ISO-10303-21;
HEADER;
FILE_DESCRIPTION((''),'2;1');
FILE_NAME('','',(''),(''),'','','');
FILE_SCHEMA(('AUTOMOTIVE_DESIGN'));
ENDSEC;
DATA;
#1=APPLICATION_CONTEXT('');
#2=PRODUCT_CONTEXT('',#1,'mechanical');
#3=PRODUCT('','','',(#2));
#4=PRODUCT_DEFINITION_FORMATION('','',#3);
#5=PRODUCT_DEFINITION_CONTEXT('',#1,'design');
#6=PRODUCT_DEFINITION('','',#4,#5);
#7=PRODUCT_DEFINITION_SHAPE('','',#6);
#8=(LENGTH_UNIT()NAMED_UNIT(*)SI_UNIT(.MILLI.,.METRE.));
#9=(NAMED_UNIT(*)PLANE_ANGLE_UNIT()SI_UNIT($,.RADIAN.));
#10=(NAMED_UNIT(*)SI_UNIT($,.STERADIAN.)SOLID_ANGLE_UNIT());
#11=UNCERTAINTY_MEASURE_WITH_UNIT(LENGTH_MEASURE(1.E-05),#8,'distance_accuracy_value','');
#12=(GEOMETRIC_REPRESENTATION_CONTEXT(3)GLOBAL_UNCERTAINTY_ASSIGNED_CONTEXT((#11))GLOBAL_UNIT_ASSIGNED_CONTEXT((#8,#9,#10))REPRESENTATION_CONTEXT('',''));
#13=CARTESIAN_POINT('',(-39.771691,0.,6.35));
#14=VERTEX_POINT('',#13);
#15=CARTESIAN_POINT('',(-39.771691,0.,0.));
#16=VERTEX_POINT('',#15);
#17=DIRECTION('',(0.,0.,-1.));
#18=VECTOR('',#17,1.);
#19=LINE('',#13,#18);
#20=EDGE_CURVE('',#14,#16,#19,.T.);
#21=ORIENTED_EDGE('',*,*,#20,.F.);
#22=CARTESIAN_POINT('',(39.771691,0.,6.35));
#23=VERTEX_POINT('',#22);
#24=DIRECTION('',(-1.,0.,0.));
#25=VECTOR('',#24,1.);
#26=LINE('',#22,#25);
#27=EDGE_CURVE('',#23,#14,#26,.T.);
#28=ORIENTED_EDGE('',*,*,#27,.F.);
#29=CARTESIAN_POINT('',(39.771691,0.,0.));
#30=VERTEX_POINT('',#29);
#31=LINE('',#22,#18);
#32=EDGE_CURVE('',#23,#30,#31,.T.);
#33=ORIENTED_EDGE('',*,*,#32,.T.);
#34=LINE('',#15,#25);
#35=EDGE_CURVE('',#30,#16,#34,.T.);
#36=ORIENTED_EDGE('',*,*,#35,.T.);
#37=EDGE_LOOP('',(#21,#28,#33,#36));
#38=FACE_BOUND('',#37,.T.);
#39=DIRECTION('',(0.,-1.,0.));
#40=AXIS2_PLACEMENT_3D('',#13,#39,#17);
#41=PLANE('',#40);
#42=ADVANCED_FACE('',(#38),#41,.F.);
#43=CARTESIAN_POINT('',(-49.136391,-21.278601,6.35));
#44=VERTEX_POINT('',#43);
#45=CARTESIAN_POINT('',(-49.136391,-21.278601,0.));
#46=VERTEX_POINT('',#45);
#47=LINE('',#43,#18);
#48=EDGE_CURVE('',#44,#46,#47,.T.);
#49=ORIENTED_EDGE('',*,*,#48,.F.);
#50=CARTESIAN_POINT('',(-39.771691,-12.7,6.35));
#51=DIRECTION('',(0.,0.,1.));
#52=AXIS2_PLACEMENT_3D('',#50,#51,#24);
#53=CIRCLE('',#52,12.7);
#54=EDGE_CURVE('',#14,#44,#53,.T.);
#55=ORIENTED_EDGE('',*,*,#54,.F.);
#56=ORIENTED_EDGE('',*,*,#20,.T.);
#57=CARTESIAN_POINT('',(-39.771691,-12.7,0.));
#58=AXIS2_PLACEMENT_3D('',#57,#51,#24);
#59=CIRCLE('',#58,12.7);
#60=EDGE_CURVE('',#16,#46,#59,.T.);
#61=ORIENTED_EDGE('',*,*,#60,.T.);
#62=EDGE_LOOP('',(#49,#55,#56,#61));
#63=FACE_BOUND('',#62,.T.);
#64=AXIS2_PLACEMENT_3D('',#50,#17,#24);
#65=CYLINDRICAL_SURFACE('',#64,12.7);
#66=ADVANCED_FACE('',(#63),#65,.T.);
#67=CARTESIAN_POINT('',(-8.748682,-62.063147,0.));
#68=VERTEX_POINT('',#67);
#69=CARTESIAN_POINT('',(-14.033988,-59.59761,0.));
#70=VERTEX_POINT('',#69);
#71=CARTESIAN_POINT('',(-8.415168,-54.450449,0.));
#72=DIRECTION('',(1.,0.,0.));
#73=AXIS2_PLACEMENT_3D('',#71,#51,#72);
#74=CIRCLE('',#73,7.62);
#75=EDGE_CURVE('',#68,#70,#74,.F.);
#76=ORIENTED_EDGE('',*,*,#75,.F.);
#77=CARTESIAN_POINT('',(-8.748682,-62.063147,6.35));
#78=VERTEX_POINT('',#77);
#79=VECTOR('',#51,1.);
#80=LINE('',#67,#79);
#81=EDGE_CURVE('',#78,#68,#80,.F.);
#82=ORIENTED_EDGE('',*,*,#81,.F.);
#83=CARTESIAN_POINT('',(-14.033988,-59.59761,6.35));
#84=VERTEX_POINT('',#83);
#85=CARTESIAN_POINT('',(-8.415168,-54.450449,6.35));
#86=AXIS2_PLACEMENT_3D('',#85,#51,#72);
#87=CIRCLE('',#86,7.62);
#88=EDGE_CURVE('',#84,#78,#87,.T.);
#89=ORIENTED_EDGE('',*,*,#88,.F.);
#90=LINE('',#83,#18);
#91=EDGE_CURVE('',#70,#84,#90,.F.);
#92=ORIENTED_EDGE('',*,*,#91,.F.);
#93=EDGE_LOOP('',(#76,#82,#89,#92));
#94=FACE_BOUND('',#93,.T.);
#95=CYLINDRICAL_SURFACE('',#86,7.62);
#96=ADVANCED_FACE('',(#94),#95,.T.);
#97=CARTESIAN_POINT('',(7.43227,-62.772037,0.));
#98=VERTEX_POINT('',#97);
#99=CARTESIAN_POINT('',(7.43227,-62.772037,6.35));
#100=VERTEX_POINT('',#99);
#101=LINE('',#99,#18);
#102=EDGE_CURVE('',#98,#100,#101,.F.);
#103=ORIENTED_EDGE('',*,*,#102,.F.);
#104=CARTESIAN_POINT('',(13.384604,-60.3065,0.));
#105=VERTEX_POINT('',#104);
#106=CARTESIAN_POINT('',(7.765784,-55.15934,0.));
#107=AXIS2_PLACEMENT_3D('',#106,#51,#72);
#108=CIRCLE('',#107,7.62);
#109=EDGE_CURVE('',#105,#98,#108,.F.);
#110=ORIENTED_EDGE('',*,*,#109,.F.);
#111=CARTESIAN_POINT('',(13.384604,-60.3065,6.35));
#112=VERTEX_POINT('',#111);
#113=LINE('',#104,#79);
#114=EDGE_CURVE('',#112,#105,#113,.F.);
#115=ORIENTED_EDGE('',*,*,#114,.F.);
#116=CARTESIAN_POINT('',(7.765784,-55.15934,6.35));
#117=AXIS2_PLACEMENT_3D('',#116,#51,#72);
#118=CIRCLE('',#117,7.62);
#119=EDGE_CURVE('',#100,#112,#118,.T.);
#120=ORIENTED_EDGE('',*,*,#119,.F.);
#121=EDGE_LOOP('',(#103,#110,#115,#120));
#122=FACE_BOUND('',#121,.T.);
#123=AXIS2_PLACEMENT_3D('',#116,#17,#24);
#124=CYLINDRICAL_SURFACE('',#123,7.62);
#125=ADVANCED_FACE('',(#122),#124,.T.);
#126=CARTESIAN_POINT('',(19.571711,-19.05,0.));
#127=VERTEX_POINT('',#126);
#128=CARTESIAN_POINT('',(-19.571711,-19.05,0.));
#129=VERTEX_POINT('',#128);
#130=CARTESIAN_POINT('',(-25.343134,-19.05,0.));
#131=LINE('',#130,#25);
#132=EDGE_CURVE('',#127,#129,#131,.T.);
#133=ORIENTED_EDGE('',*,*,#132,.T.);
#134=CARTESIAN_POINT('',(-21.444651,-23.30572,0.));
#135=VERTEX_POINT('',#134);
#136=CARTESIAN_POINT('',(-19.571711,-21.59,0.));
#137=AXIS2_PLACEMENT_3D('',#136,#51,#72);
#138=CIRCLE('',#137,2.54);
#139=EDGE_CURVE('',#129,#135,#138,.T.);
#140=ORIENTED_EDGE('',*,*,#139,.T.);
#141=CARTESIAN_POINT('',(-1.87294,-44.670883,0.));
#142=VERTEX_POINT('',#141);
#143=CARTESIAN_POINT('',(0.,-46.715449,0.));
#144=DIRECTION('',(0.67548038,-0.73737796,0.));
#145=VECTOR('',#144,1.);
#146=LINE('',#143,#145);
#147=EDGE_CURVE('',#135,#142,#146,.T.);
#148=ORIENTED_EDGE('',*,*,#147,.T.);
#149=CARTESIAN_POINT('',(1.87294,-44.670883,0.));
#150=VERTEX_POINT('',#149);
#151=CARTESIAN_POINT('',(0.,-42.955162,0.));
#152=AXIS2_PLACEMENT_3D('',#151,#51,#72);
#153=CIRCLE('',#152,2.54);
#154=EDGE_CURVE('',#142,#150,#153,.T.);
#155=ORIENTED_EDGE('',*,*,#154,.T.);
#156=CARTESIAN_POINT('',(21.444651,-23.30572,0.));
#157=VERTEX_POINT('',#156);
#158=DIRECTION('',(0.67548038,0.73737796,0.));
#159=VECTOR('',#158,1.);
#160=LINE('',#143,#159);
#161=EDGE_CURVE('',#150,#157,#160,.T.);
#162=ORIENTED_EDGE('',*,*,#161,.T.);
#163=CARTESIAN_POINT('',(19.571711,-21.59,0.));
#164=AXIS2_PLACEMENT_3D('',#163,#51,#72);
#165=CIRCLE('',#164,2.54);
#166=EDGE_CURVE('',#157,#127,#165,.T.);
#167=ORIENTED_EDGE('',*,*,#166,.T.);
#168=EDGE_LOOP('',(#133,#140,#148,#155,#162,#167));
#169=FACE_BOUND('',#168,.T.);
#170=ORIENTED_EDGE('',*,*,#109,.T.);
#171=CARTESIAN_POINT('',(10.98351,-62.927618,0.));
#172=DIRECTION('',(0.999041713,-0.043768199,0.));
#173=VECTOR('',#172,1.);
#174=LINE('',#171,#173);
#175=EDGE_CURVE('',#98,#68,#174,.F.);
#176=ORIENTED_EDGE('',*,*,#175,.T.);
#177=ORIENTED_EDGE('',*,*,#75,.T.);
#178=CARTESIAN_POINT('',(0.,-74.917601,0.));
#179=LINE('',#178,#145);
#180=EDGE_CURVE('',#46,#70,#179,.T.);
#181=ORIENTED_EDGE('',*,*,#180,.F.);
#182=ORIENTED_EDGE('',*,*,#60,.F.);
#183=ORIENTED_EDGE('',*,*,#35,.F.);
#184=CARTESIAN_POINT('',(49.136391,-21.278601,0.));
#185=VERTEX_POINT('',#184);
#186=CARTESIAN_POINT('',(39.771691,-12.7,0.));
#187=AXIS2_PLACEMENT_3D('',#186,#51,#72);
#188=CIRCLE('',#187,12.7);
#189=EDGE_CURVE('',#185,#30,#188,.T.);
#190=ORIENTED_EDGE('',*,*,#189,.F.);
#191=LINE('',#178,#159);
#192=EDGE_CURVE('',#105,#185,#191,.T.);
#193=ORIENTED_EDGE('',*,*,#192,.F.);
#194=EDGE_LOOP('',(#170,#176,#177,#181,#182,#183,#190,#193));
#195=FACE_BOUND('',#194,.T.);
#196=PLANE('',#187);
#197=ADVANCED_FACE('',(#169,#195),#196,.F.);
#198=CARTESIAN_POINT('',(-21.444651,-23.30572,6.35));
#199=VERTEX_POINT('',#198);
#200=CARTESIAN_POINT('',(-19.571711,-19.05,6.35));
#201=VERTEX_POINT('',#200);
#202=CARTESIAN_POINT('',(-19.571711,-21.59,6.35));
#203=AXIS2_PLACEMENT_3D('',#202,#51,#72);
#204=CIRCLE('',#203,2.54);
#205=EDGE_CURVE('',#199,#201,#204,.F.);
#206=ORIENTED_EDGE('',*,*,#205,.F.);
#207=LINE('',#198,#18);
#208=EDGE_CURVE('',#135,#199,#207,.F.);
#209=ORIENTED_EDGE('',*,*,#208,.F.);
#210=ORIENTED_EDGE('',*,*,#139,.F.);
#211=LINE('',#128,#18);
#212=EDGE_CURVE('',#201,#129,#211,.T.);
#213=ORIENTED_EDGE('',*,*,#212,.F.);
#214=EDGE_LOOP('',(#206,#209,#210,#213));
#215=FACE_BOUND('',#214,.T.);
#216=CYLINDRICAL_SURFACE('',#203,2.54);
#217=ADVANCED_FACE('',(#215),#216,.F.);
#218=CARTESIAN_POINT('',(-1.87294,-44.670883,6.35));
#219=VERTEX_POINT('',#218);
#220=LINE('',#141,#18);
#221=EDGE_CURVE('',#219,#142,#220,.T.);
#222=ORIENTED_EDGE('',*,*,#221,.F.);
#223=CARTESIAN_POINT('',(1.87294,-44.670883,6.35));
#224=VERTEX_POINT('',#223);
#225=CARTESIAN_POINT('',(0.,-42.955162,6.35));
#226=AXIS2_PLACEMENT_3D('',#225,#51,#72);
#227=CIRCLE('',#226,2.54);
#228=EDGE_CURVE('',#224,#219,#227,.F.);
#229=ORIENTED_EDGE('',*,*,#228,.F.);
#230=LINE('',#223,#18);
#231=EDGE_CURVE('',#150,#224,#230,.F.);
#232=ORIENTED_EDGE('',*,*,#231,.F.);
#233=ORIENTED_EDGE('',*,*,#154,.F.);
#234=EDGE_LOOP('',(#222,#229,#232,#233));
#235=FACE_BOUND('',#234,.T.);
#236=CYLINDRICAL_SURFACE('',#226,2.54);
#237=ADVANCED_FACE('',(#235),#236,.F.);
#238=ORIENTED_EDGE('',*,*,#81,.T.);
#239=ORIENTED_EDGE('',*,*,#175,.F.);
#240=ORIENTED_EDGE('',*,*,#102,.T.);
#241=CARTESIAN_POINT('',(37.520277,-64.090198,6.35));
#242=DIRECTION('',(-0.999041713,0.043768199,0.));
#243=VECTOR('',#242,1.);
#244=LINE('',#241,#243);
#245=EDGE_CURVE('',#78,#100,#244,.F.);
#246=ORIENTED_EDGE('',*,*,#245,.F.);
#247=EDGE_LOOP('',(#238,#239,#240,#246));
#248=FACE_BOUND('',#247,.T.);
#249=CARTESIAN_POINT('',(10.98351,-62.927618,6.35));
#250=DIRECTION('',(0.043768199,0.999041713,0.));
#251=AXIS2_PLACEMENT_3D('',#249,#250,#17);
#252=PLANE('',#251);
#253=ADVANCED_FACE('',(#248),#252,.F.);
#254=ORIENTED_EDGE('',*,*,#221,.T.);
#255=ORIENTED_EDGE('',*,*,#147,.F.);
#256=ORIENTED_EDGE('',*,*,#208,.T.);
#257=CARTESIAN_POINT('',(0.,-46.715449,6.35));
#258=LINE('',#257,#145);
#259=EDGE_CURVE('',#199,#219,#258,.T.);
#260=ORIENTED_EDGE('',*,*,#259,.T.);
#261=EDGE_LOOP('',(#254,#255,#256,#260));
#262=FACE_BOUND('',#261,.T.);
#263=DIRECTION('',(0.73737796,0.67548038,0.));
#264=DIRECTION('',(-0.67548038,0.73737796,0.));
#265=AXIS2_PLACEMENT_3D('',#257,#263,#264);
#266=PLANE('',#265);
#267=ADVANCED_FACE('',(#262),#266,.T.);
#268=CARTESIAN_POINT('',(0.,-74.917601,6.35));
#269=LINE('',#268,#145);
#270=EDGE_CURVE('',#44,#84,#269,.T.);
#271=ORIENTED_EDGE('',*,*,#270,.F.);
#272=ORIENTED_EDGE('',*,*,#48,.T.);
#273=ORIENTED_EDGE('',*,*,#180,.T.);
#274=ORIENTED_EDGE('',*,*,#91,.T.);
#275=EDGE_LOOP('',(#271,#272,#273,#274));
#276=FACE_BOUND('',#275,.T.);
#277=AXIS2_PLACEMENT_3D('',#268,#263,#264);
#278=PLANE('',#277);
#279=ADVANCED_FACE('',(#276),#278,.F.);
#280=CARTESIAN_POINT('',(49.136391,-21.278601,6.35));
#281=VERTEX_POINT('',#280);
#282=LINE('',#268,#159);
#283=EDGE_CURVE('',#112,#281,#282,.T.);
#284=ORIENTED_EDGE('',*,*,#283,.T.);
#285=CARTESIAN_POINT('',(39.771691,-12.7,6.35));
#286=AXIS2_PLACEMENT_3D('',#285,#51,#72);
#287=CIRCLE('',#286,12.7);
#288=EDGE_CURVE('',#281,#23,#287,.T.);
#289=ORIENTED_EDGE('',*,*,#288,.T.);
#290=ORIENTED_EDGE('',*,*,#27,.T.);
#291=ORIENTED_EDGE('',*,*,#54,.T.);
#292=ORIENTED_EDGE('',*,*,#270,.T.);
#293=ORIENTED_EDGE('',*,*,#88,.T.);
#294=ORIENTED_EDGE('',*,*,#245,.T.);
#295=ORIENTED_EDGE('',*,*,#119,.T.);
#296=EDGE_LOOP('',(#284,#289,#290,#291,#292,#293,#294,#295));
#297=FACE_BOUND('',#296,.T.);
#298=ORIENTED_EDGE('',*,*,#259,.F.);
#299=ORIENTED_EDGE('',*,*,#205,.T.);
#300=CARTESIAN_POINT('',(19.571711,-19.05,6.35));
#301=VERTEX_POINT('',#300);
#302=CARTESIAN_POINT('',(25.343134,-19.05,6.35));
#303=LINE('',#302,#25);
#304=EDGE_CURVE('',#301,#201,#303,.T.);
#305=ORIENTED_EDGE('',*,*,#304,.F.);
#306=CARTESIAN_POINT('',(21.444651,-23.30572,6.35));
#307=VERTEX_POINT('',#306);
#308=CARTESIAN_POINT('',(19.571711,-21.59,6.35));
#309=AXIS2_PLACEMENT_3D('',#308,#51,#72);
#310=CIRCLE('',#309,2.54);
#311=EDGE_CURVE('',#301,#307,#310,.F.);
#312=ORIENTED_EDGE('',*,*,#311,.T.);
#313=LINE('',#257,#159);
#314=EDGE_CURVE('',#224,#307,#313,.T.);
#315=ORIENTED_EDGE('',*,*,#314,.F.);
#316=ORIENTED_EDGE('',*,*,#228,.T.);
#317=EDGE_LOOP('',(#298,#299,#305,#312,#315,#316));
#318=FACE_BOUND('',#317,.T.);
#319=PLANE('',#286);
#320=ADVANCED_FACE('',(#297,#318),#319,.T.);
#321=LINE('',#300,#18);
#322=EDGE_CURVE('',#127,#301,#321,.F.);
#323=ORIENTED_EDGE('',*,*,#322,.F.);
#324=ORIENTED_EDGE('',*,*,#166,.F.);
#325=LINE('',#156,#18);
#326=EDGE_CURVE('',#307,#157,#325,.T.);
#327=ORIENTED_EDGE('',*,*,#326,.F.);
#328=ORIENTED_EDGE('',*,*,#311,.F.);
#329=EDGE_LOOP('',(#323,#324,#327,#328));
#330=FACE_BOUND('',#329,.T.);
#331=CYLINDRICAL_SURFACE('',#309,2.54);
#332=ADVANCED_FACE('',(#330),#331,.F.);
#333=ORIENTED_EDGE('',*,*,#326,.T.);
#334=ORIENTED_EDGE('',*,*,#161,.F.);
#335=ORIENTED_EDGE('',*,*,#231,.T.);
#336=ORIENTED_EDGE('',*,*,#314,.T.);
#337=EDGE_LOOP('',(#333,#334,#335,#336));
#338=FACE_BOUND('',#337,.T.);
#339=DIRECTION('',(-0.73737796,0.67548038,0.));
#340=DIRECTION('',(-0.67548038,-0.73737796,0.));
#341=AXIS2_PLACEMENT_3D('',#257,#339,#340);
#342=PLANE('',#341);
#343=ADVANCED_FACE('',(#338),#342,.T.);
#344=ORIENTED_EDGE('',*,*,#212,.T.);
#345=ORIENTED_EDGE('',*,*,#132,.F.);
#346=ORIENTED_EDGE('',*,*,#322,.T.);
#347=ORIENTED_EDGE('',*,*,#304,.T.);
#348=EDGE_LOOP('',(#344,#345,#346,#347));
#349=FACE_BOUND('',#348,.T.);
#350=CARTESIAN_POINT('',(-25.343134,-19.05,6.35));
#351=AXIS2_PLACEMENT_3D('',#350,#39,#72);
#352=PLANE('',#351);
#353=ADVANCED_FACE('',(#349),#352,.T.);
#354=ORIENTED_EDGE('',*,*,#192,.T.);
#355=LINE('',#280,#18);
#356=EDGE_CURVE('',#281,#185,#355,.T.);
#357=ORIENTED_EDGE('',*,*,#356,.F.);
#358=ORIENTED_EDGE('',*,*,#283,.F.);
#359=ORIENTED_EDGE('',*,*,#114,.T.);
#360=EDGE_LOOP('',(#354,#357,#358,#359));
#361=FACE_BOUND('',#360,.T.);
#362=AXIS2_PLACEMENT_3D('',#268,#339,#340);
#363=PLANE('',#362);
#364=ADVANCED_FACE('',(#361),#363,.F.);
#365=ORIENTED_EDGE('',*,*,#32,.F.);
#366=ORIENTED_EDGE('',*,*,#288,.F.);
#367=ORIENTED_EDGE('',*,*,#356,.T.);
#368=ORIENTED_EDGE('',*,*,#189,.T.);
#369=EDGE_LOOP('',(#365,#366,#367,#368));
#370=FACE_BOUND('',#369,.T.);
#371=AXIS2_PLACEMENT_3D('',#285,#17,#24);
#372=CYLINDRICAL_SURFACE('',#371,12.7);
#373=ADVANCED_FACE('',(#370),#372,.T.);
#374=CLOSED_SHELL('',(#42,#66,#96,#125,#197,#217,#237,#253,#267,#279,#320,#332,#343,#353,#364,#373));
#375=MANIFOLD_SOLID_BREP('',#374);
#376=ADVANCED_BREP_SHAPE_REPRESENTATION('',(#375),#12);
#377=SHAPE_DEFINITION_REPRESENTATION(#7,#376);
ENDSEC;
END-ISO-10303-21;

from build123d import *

# Parameters (mm, degrees)
BOSS_EXTRUDE2_DEPTH = 6.35
CHAMFER1_SIZE       = 17.62
CHAMFER1_SIZE2      = 16.260294621
FILLET1_R           = 2.54
FILLET2_R           = 7.62


with BuildPart() as part:
    # Sketch1 → Boss-Extrude2 (new body)
    with BuildSketch(Plane.XY):
        with BuildLine():
            Line((0, -74.917600754), (-49.136391394, -21.278600827))
            ThreePointArc((-49.136391394, -21.278600827), (-51.395766113, -7.584251301), (-39.7716913, 0))
            Line((-39.7716913, 0), (0, 0))
            Line((0, 0), (39.7716913, 0))
            ThreePointArc((39.7716913, 0), (51.395766113, -7.584251301), (49.136391394, -21.278600827))
            Line((49.136391394, -21.278600827), (0, -74.917600754))
        make_face()
        Polygon((0, -46.715449274), (25.343133643, -19.05), (0, -19.05), (-25.343133643, -19.05), align=None, mode=Mode.SUBTRACT)
    extrude(amount=BOSS_EXTRUDE2_DEPTH)

    # Chamfer1
    chamfer1_edges = [part.edges().sort_by_distance(p)[0] for p in [
        (0, -74.917600754, 3.175),
    ]]
    chamfer1_side = [part.faces().sort_by_distance(p)[0] for p in [
        (-24.568195697, -48.098100791, 3.175),
    ]]
    chamfer(chamfer1_edges, length=CHAMFER1_SIZE, length2=CHAMFER1_SIZE2, reference=chamfer1_side[0])

    # Fillet1
    fillet1_edges = [part.edges().sort_by_distance(p)[0] for p in [
        (-25.343133643, -19.05, 3.175),
        (0, -46.715449274, 3.175),
        (25.343133643, -19.05, 3.175),
    ]]
    fillet(fillet1_edges, radius=FILLET1_R)

    # Fillet2
    fillet2_edges = [part.edges().sort_by_distance(p)[0] for p in [
        (10.98350999, -62.927617875, 3.175),
        (-11.901964297, -61.925001096, 3.175),
    ]]
    fillet(fillet2_edges, radius=FILLET2_R)


solid = part.part
